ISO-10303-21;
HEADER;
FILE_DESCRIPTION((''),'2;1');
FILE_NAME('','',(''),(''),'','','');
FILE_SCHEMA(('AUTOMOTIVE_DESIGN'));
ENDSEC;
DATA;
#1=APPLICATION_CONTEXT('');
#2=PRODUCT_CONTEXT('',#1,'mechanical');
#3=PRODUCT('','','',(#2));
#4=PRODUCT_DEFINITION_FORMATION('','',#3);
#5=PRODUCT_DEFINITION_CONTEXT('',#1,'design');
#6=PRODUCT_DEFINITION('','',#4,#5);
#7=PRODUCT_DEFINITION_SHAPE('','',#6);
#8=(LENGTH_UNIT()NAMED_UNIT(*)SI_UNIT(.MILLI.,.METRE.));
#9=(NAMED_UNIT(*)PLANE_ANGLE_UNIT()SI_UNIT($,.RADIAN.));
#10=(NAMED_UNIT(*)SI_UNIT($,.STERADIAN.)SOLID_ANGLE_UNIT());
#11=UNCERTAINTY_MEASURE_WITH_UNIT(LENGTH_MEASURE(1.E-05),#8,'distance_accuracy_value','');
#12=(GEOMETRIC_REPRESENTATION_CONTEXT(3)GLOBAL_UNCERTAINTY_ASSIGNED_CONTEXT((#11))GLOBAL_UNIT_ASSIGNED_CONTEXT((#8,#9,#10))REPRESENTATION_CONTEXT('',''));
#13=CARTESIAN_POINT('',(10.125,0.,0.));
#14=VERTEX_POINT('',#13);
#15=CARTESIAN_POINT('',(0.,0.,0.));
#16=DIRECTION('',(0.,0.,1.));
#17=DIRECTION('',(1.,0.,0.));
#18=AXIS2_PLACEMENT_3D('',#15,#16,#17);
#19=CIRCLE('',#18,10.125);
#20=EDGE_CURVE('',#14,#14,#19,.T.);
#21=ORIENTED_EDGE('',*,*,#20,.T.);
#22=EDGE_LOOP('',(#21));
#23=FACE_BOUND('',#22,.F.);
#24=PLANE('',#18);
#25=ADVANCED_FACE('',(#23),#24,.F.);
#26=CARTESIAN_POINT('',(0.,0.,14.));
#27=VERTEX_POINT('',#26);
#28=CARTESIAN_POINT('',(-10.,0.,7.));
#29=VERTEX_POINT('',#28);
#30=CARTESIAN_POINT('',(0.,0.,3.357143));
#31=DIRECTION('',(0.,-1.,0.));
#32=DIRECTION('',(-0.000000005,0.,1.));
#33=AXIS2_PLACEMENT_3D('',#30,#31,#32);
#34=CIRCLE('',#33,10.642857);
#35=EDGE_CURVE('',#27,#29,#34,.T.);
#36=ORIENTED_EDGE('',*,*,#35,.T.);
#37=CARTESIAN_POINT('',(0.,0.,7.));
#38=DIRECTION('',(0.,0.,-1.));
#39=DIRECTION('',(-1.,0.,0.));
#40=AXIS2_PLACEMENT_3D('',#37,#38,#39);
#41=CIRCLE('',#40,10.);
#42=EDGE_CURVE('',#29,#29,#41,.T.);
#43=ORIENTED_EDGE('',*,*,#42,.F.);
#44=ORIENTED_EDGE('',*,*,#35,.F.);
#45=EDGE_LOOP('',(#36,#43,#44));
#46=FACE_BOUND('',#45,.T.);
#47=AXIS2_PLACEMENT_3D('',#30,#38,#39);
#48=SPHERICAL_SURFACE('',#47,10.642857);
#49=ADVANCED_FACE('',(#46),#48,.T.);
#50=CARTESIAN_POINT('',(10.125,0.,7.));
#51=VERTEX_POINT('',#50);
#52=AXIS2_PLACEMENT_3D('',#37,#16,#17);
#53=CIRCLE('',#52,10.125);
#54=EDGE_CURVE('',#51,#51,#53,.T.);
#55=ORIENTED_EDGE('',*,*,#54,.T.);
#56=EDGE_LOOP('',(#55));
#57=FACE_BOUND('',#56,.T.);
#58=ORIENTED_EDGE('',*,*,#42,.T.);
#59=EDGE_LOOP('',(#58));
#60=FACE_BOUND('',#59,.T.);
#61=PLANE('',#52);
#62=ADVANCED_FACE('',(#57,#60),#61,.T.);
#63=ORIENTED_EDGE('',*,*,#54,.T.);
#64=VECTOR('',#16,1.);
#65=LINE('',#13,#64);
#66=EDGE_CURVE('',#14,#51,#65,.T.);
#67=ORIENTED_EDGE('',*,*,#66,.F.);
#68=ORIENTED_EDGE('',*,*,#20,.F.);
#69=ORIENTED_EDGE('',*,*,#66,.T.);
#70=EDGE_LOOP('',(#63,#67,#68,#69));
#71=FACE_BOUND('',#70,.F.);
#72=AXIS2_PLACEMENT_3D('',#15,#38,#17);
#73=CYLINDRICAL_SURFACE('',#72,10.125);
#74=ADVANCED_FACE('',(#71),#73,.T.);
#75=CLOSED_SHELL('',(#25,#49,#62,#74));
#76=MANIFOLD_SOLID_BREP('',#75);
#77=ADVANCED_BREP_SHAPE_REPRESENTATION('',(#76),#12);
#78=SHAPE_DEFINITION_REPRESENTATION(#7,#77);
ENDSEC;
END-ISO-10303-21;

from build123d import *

# Parameters (mm, degrees)
F0_R     = 10.125
F1_DEPTH = 7


with BuildPart() as f1:
    # F0 (on Top) → F1 (new body)
    with BuildSketch(Plane.XY):
        Circle(F0_R)
    extrude(amount=F1_DEPTH)

    # F2 (on Front) → F3 (revolve)
    with BuildSketch(Plane.XZ):
        with BuildLine():
            Line((0, 7), (0, 14))
            ThreePointArc((0, 14), (-6.103278, 12.076111), (-10, 7))
            Line((-10, 7), (0, 7))
        make_face()
    revolve(axis=Axis((0, 0, 10.5), (0, 0, -1)))


solid = f1.part
